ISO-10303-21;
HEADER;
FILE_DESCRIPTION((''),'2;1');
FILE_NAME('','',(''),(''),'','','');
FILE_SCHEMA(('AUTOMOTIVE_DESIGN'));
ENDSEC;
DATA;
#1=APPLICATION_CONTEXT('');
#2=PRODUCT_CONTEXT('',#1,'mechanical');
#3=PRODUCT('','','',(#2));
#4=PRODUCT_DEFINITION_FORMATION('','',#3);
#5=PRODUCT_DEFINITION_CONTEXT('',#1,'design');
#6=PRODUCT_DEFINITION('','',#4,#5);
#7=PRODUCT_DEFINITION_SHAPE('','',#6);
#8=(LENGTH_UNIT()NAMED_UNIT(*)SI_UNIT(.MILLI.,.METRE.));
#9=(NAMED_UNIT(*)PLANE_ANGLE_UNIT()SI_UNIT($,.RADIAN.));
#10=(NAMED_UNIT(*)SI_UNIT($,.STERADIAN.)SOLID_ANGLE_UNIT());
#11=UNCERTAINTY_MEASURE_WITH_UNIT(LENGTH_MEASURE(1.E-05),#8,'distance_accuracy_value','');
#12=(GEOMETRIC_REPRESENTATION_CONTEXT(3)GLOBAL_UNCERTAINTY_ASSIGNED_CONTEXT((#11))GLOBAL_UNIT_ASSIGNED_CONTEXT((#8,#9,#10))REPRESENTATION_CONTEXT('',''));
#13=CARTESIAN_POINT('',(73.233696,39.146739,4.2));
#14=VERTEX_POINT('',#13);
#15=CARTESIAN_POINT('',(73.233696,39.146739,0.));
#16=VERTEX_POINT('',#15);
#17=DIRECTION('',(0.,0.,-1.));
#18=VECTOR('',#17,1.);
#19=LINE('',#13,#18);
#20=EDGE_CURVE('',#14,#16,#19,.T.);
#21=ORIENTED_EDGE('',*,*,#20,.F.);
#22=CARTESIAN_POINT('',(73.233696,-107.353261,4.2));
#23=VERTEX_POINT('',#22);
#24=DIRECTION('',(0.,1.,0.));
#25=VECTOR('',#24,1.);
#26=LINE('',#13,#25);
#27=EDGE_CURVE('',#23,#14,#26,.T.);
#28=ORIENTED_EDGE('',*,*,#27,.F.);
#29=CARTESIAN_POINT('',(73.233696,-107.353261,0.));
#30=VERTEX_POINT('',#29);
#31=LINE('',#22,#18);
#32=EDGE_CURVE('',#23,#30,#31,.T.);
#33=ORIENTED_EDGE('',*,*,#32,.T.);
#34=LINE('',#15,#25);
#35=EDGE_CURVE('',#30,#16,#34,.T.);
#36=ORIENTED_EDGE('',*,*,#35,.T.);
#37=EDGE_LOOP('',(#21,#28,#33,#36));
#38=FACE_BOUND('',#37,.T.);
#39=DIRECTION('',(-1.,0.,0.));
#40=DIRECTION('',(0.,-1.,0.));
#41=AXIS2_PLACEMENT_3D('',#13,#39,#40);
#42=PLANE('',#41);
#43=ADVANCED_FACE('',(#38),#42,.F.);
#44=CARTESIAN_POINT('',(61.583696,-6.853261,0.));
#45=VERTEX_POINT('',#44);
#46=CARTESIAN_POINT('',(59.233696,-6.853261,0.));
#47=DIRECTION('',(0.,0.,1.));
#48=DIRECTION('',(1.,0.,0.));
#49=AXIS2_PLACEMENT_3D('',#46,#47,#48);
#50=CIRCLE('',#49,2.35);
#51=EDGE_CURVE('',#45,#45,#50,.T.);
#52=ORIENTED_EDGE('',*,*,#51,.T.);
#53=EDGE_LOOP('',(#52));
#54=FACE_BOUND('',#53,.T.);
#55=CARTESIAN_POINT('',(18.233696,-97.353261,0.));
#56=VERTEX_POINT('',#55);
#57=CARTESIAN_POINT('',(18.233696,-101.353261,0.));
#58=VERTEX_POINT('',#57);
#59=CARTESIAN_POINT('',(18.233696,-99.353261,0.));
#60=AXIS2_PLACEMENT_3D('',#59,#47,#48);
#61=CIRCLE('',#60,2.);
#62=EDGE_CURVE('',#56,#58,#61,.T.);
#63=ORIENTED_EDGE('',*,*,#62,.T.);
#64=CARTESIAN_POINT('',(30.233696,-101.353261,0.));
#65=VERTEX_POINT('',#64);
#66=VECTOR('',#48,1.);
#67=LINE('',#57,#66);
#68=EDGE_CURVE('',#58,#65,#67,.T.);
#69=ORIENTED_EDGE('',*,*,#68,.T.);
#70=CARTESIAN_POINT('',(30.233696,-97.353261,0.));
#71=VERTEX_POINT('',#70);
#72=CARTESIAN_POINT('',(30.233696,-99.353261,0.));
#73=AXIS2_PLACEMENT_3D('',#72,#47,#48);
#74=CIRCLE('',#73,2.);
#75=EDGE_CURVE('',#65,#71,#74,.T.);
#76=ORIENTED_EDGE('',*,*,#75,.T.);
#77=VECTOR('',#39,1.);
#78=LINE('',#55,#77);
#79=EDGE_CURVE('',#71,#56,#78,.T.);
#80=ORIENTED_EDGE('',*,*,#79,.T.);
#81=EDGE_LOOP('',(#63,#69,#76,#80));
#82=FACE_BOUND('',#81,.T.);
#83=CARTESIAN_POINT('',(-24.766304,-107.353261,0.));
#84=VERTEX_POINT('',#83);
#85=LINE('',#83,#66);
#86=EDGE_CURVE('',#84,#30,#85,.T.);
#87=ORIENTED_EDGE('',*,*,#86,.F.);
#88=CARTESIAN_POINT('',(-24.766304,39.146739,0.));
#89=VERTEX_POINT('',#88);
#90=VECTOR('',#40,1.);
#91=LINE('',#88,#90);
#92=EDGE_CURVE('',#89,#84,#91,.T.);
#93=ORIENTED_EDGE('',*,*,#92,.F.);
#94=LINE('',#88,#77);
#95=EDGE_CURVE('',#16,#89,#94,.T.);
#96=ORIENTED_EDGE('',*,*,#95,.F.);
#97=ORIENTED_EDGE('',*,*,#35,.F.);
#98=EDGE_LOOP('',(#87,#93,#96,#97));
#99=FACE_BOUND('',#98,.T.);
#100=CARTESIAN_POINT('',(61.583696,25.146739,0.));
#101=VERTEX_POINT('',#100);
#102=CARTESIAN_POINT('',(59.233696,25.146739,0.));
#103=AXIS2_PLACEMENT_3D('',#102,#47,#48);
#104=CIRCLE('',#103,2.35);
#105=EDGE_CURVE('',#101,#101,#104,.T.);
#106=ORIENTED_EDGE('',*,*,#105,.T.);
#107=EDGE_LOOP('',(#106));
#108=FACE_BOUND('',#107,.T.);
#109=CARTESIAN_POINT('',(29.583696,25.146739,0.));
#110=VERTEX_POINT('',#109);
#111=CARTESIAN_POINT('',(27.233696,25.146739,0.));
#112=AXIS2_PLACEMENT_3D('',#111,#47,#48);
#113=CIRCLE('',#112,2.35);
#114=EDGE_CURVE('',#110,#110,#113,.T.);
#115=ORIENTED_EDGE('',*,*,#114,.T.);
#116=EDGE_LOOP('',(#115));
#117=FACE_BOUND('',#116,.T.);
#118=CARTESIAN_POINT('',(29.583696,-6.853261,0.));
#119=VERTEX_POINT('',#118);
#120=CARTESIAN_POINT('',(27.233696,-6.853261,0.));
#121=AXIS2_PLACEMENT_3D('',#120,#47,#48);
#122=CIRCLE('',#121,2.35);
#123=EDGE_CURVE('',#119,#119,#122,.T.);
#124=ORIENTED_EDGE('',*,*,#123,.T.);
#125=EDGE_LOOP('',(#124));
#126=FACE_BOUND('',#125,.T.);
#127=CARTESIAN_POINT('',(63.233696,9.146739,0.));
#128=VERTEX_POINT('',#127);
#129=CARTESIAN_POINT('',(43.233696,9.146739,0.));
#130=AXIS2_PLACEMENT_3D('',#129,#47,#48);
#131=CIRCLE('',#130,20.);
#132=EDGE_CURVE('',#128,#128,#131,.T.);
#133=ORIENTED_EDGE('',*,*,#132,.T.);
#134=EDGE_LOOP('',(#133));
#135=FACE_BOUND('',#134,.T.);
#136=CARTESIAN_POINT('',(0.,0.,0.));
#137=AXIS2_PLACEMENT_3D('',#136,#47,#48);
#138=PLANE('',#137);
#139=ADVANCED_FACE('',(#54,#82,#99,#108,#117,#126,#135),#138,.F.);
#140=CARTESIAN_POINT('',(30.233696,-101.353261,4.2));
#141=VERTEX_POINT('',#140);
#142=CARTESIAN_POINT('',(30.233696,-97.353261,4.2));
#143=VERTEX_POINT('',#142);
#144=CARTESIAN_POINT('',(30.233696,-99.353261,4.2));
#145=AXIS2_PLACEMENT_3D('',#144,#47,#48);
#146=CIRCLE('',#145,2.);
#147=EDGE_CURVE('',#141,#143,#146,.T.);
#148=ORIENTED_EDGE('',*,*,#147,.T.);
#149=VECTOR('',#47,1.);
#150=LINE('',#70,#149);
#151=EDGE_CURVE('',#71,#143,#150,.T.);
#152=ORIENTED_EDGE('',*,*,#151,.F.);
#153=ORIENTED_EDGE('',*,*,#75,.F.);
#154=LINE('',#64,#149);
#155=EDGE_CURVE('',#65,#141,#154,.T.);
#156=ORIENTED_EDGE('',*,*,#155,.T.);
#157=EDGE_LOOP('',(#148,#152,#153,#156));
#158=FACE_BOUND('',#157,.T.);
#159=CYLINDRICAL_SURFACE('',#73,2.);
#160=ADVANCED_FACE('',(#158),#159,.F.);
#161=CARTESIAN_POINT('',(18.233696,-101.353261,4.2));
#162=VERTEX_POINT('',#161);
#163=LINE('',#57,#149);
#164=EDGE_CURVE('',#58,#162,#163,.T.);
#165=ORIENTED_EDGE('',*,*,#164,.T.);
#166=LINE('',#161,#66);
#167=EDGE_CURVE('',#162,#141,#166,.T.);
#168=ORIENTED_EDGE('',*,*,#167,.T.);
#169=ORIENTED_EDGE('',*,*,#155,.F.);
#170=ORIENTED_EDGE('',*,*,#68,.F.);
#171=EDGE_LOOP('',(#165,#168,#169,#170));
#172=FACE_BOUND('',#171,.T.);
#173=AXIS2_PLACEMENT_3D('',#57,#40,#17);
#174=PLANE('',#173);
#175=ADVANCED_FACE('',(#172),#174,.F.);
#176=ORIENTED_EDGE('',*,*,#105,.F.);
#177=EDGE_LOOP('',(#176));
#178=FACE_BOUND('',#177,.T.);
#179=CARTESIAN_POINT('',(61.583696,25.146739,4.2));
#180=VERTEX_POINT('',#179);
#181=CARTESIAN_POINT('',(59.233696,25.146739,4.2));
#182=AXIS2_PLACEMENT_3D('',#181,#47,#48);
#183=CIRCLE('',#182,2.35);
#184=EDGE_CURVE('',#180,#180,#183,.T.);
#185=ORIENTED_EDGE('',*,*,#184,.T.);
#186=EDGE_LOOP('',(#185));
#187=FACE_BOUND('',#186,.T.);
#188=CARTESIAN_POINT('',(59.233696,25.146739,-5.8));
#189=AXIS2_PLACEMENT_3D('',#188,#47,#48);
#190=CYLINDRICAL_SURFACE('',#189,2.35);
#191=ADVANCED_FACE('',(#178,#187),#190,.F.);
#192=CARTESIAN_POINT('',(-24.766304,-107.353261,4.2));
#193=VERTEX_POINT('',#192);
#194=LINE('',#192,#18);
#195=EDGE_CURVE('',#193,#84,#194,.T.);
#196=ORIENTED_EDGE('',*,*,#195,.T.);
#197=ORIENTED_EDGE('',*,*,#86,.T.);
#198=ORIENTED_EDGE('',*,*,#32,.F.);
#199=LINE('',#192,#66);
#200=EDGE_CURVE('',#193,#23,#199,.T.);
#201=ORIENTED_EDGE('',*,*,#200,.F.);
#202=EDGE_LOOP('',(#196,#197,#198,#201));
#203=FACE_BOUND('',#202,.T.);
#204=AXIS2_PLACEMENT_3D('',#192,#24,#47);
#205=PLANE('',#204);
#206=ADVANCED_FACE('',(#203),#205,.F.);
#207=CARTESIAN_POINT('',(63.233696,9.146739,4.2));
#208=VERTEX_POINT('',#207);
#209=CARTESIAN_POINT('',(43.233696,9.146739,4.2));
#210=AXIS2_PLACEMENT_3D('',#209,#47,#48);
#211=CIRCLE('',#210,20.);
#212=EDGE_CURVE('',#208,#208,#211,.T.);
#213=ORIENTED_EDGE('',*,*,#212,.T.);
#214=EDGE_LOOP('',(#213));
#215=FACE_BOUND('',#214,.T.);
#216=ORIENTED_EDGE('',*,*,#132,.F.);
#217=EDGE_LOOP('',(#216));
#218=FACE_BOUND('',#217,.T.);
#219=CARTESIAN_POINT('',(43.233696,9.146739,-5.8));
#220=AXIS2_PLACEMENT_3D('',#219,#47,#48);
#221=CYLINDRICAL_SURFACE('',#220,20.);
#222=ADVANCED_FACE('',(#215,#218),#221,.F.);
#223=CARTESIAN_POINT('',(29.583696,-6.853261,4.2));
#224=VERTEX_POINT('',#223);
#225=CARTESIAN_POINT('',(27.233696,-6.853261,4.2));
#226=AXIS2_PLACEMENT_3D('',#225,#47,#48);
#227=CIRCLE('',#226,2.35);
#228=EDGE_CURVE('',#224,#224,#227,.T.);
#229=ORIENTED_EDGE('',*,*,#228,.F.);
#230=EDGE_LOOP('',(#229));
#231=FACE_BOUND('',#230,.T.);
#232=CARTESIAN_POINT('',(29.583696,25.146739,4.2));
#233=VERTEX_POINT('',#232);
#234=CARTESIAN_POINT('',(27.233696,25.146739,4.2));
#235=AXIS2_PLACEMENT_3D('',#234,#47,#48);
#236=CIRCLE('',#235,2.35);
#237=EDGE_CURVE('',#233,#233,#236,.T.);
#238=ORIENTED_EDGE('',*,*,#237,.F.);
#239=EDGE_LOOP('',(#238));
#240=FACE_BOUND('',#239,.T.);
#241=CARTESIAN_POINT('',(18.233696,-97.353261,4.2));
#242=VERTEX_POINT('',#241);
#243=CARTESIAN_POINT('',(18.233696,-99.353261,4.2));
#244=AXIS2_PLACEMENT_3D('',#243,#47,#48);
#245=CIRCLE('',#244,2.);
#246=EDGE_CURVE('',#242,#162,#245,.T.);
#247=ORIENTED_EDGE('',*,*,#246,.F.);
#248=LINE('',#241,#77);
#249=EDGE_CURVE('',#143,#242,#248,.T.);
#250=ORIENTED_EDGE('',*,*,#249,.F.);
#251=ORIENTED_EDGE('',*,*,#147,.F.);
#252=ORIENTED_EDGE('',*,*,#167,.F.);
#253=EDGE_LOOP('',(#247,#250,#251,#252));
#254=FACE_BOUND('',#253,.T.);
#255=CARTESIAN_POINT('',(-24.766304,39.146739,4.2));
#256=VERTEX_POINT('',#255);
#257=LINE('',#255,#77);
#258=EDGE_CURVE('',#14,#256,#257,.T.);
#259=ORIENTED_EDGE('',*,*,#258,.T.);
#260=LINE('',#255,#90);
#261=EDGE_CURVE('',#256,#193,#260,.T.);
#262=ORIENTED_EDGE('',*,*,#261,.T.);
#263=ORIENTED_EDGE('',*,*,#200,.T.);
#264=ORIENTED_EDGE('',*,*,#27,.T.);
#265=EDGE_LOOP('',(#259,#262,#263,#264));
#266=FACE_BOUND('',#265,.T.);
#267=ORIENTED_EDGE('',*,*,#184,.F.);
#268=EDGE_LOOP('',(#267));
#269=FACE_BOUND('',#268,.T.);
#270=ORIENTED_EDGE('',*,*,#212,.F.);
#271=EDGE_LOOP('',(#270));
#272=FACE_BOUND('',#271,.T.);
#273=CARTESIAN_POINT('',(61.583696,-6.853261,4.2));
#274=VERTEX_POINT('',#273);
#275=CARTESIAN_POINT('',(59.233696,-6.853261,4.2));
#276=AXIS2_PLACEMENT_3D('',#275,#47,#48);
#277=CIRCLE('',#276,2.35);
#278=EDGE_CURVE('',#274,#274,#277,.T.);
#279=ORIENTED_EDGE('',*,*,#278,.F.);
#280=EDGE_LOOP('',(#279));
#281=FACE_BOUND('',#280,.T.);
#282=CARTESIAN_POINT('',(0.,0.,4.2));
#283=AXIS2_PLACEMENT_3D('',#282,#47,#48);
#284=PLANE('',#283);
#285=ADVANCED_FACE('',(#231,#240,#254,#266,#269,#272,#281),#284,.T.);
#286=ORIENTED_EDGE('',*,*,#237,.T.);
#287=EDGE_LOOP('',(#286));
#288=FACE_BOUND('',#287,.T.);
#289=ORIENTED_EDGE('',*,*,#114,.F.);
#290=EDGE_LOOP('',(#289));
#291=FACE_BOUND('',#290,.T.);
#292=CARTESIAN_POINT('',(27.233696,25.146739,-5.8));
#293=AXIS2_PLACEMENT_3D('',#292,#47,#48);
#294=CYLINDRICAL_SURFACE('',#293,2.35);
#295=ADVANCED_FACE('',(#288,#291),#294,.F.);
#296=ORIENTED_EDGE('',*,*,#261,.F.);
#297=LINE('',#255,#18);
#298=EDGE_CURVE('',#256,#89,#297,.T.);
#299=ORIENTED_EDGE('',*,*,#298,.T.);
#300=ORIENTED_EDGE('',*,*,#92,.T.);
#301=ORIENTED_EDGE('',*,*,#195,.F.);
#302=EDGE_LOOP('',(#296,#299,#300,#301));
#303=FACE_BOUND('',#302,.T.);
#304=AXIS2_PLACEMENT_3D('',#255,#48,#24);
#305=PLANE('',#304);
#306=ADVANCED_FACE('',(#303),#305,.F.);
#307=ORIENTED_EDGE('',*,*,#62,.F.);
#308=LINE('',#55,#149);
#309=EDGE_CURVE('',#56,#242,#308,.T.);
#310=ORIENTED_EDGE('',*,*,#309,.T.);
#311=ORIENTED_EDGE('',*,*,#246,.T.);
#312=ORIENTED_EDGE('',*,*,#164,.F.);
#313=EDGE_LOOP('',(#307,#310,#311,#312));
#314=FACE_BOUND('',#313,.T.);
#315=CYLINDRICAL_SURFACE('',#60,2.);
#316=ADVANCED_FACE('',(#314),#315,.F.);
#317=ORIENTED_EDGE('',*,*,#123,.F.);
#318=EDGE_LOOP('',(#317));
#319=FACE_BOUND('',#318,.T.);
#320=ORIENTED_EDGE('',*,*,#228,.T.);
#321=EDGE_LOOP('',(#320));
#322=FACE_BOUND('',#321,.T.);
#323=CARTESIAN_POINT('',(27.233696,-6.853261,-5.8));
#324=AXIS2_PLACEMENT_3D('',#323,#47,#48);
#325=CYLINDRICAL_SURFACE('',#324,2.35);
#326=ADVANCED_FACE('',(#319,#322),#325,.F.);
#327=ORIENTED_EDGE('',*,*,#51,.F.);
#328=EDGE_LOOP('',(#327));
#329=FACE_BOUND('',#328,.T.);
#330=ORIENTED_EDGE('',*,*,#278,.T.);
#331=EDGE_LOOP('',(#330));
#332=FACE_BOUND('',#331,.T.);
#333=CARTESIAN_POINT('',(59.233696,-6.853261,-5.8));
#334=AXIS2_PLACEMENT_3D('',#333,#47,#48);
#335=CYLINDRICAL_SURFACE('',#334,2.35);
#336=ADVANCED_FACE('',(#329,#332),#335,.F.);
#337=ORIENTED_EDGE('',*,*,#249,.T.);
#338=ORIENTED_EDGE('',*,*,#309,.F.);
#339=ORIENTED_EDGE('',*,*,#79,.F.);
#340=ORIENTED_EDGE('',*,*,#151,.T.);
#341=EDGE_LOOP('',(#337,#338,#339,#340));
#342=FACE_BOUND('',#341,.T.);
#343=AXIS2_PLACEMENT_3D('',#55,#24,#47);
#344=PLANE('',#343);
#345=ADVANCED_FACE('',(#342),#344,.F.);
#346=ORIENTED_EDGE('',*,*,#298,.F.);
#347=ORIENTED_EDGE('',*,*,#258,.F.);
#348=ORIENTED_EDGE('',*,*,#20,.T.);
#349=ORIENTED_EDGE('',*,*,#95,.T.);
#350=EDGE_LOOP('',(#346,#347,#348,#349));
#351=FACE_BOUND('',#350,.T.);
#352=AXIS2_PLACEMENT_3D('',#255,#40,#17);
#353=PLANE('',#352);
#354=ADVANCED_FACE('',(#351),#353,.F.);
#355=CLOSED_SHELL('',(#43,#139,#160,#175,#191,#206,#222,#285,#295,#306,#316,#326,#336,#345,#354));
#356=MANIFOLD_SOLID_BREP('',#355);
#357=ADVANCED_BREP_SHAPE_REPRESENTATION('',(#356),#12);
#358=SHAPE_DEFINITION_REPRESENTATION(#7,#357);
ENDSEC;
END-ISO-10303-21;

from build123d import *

# Parameters (mm, degrees)
SKETCH1_W           = 98
SKETCH1_H           = 146.5
BOSS_EXTRUDE1_DEPTH = 4.2
SKETCH3_R           = 20
CUT_EXTRUDE2_DEPTH  = 10
SKETCH4_R           = 2.35
CUT_EXTRUDE3_DEPTH  = 10
CUT_EXTRUDE5_DEPTH  = 131.021293634


with BuildPart() as part:
    # Sketch1 → Boss-Extrude1 (new body)
    with BuildSketch(Plane.XY):
        with Locations((24.233695652, -34.10326087)):
            Rectangle(SKETCH1_W, SKETCH1_H)
    extrude(amount=BOSS_EXTRUDE1_DEPTH)

    # Sketch3 → Cut-Extrude2 (cut)
    with BuildSketch(Plane.XY.offset(4.2)):
        with Locations((43.233695652, 9.14673913)):
            Circle(SKETCH3_R)
    extrude(amount=-CUT_EXTRUDE2_DEPTH, mode=Mode.SUBTRACT)

    # Sketch4 → Cut-Extrude3 (cut)
    with BuildSketch(Plane.XY.offset(4.2)):
        with Locations((27.233695652, 25.14673913)):
            Circle(SKETCH4_R)
        with Locations((59.233695652, 25.14673913)):
            Circle(SKETCH4_R)
        with Locations((59.233695652, -6.85326087)):
            Circle(SKETCH4_R)
        with Locations((27.233695652, -6.85326087)):
            Circle(SKETCH4_R)
    extrude(amount=-CUT_EXTRUDE3_DEPTH, mode=Mode.SUBTRACT)

    # Sketch6 → Cut-Extrude5 (cut, through all)
    with BuildSketch(Plane.XY.offset(4.2)):
        with BuildLine():
            Line((18.233695652, -97.35326087), (30.233695652, -97.35326087))
            ThreePointArc((30.233695652, -97.35326087), (32.233695652, -99.35326087), (30.233695652, -101.35326087))
            Line((30.233695652, -101.35326087), (18.233695652, -101.35326087))
            ThreePointArc((18.233695652, -101.35326087), (16.233695652, -99.35326087), (18.233695652, -97.35326087))
        make_face()
    extrude(amount=-CUT_EXTRUDE5_DEPTH, mode=Mode.SUBTRACT)


solid = part.part
